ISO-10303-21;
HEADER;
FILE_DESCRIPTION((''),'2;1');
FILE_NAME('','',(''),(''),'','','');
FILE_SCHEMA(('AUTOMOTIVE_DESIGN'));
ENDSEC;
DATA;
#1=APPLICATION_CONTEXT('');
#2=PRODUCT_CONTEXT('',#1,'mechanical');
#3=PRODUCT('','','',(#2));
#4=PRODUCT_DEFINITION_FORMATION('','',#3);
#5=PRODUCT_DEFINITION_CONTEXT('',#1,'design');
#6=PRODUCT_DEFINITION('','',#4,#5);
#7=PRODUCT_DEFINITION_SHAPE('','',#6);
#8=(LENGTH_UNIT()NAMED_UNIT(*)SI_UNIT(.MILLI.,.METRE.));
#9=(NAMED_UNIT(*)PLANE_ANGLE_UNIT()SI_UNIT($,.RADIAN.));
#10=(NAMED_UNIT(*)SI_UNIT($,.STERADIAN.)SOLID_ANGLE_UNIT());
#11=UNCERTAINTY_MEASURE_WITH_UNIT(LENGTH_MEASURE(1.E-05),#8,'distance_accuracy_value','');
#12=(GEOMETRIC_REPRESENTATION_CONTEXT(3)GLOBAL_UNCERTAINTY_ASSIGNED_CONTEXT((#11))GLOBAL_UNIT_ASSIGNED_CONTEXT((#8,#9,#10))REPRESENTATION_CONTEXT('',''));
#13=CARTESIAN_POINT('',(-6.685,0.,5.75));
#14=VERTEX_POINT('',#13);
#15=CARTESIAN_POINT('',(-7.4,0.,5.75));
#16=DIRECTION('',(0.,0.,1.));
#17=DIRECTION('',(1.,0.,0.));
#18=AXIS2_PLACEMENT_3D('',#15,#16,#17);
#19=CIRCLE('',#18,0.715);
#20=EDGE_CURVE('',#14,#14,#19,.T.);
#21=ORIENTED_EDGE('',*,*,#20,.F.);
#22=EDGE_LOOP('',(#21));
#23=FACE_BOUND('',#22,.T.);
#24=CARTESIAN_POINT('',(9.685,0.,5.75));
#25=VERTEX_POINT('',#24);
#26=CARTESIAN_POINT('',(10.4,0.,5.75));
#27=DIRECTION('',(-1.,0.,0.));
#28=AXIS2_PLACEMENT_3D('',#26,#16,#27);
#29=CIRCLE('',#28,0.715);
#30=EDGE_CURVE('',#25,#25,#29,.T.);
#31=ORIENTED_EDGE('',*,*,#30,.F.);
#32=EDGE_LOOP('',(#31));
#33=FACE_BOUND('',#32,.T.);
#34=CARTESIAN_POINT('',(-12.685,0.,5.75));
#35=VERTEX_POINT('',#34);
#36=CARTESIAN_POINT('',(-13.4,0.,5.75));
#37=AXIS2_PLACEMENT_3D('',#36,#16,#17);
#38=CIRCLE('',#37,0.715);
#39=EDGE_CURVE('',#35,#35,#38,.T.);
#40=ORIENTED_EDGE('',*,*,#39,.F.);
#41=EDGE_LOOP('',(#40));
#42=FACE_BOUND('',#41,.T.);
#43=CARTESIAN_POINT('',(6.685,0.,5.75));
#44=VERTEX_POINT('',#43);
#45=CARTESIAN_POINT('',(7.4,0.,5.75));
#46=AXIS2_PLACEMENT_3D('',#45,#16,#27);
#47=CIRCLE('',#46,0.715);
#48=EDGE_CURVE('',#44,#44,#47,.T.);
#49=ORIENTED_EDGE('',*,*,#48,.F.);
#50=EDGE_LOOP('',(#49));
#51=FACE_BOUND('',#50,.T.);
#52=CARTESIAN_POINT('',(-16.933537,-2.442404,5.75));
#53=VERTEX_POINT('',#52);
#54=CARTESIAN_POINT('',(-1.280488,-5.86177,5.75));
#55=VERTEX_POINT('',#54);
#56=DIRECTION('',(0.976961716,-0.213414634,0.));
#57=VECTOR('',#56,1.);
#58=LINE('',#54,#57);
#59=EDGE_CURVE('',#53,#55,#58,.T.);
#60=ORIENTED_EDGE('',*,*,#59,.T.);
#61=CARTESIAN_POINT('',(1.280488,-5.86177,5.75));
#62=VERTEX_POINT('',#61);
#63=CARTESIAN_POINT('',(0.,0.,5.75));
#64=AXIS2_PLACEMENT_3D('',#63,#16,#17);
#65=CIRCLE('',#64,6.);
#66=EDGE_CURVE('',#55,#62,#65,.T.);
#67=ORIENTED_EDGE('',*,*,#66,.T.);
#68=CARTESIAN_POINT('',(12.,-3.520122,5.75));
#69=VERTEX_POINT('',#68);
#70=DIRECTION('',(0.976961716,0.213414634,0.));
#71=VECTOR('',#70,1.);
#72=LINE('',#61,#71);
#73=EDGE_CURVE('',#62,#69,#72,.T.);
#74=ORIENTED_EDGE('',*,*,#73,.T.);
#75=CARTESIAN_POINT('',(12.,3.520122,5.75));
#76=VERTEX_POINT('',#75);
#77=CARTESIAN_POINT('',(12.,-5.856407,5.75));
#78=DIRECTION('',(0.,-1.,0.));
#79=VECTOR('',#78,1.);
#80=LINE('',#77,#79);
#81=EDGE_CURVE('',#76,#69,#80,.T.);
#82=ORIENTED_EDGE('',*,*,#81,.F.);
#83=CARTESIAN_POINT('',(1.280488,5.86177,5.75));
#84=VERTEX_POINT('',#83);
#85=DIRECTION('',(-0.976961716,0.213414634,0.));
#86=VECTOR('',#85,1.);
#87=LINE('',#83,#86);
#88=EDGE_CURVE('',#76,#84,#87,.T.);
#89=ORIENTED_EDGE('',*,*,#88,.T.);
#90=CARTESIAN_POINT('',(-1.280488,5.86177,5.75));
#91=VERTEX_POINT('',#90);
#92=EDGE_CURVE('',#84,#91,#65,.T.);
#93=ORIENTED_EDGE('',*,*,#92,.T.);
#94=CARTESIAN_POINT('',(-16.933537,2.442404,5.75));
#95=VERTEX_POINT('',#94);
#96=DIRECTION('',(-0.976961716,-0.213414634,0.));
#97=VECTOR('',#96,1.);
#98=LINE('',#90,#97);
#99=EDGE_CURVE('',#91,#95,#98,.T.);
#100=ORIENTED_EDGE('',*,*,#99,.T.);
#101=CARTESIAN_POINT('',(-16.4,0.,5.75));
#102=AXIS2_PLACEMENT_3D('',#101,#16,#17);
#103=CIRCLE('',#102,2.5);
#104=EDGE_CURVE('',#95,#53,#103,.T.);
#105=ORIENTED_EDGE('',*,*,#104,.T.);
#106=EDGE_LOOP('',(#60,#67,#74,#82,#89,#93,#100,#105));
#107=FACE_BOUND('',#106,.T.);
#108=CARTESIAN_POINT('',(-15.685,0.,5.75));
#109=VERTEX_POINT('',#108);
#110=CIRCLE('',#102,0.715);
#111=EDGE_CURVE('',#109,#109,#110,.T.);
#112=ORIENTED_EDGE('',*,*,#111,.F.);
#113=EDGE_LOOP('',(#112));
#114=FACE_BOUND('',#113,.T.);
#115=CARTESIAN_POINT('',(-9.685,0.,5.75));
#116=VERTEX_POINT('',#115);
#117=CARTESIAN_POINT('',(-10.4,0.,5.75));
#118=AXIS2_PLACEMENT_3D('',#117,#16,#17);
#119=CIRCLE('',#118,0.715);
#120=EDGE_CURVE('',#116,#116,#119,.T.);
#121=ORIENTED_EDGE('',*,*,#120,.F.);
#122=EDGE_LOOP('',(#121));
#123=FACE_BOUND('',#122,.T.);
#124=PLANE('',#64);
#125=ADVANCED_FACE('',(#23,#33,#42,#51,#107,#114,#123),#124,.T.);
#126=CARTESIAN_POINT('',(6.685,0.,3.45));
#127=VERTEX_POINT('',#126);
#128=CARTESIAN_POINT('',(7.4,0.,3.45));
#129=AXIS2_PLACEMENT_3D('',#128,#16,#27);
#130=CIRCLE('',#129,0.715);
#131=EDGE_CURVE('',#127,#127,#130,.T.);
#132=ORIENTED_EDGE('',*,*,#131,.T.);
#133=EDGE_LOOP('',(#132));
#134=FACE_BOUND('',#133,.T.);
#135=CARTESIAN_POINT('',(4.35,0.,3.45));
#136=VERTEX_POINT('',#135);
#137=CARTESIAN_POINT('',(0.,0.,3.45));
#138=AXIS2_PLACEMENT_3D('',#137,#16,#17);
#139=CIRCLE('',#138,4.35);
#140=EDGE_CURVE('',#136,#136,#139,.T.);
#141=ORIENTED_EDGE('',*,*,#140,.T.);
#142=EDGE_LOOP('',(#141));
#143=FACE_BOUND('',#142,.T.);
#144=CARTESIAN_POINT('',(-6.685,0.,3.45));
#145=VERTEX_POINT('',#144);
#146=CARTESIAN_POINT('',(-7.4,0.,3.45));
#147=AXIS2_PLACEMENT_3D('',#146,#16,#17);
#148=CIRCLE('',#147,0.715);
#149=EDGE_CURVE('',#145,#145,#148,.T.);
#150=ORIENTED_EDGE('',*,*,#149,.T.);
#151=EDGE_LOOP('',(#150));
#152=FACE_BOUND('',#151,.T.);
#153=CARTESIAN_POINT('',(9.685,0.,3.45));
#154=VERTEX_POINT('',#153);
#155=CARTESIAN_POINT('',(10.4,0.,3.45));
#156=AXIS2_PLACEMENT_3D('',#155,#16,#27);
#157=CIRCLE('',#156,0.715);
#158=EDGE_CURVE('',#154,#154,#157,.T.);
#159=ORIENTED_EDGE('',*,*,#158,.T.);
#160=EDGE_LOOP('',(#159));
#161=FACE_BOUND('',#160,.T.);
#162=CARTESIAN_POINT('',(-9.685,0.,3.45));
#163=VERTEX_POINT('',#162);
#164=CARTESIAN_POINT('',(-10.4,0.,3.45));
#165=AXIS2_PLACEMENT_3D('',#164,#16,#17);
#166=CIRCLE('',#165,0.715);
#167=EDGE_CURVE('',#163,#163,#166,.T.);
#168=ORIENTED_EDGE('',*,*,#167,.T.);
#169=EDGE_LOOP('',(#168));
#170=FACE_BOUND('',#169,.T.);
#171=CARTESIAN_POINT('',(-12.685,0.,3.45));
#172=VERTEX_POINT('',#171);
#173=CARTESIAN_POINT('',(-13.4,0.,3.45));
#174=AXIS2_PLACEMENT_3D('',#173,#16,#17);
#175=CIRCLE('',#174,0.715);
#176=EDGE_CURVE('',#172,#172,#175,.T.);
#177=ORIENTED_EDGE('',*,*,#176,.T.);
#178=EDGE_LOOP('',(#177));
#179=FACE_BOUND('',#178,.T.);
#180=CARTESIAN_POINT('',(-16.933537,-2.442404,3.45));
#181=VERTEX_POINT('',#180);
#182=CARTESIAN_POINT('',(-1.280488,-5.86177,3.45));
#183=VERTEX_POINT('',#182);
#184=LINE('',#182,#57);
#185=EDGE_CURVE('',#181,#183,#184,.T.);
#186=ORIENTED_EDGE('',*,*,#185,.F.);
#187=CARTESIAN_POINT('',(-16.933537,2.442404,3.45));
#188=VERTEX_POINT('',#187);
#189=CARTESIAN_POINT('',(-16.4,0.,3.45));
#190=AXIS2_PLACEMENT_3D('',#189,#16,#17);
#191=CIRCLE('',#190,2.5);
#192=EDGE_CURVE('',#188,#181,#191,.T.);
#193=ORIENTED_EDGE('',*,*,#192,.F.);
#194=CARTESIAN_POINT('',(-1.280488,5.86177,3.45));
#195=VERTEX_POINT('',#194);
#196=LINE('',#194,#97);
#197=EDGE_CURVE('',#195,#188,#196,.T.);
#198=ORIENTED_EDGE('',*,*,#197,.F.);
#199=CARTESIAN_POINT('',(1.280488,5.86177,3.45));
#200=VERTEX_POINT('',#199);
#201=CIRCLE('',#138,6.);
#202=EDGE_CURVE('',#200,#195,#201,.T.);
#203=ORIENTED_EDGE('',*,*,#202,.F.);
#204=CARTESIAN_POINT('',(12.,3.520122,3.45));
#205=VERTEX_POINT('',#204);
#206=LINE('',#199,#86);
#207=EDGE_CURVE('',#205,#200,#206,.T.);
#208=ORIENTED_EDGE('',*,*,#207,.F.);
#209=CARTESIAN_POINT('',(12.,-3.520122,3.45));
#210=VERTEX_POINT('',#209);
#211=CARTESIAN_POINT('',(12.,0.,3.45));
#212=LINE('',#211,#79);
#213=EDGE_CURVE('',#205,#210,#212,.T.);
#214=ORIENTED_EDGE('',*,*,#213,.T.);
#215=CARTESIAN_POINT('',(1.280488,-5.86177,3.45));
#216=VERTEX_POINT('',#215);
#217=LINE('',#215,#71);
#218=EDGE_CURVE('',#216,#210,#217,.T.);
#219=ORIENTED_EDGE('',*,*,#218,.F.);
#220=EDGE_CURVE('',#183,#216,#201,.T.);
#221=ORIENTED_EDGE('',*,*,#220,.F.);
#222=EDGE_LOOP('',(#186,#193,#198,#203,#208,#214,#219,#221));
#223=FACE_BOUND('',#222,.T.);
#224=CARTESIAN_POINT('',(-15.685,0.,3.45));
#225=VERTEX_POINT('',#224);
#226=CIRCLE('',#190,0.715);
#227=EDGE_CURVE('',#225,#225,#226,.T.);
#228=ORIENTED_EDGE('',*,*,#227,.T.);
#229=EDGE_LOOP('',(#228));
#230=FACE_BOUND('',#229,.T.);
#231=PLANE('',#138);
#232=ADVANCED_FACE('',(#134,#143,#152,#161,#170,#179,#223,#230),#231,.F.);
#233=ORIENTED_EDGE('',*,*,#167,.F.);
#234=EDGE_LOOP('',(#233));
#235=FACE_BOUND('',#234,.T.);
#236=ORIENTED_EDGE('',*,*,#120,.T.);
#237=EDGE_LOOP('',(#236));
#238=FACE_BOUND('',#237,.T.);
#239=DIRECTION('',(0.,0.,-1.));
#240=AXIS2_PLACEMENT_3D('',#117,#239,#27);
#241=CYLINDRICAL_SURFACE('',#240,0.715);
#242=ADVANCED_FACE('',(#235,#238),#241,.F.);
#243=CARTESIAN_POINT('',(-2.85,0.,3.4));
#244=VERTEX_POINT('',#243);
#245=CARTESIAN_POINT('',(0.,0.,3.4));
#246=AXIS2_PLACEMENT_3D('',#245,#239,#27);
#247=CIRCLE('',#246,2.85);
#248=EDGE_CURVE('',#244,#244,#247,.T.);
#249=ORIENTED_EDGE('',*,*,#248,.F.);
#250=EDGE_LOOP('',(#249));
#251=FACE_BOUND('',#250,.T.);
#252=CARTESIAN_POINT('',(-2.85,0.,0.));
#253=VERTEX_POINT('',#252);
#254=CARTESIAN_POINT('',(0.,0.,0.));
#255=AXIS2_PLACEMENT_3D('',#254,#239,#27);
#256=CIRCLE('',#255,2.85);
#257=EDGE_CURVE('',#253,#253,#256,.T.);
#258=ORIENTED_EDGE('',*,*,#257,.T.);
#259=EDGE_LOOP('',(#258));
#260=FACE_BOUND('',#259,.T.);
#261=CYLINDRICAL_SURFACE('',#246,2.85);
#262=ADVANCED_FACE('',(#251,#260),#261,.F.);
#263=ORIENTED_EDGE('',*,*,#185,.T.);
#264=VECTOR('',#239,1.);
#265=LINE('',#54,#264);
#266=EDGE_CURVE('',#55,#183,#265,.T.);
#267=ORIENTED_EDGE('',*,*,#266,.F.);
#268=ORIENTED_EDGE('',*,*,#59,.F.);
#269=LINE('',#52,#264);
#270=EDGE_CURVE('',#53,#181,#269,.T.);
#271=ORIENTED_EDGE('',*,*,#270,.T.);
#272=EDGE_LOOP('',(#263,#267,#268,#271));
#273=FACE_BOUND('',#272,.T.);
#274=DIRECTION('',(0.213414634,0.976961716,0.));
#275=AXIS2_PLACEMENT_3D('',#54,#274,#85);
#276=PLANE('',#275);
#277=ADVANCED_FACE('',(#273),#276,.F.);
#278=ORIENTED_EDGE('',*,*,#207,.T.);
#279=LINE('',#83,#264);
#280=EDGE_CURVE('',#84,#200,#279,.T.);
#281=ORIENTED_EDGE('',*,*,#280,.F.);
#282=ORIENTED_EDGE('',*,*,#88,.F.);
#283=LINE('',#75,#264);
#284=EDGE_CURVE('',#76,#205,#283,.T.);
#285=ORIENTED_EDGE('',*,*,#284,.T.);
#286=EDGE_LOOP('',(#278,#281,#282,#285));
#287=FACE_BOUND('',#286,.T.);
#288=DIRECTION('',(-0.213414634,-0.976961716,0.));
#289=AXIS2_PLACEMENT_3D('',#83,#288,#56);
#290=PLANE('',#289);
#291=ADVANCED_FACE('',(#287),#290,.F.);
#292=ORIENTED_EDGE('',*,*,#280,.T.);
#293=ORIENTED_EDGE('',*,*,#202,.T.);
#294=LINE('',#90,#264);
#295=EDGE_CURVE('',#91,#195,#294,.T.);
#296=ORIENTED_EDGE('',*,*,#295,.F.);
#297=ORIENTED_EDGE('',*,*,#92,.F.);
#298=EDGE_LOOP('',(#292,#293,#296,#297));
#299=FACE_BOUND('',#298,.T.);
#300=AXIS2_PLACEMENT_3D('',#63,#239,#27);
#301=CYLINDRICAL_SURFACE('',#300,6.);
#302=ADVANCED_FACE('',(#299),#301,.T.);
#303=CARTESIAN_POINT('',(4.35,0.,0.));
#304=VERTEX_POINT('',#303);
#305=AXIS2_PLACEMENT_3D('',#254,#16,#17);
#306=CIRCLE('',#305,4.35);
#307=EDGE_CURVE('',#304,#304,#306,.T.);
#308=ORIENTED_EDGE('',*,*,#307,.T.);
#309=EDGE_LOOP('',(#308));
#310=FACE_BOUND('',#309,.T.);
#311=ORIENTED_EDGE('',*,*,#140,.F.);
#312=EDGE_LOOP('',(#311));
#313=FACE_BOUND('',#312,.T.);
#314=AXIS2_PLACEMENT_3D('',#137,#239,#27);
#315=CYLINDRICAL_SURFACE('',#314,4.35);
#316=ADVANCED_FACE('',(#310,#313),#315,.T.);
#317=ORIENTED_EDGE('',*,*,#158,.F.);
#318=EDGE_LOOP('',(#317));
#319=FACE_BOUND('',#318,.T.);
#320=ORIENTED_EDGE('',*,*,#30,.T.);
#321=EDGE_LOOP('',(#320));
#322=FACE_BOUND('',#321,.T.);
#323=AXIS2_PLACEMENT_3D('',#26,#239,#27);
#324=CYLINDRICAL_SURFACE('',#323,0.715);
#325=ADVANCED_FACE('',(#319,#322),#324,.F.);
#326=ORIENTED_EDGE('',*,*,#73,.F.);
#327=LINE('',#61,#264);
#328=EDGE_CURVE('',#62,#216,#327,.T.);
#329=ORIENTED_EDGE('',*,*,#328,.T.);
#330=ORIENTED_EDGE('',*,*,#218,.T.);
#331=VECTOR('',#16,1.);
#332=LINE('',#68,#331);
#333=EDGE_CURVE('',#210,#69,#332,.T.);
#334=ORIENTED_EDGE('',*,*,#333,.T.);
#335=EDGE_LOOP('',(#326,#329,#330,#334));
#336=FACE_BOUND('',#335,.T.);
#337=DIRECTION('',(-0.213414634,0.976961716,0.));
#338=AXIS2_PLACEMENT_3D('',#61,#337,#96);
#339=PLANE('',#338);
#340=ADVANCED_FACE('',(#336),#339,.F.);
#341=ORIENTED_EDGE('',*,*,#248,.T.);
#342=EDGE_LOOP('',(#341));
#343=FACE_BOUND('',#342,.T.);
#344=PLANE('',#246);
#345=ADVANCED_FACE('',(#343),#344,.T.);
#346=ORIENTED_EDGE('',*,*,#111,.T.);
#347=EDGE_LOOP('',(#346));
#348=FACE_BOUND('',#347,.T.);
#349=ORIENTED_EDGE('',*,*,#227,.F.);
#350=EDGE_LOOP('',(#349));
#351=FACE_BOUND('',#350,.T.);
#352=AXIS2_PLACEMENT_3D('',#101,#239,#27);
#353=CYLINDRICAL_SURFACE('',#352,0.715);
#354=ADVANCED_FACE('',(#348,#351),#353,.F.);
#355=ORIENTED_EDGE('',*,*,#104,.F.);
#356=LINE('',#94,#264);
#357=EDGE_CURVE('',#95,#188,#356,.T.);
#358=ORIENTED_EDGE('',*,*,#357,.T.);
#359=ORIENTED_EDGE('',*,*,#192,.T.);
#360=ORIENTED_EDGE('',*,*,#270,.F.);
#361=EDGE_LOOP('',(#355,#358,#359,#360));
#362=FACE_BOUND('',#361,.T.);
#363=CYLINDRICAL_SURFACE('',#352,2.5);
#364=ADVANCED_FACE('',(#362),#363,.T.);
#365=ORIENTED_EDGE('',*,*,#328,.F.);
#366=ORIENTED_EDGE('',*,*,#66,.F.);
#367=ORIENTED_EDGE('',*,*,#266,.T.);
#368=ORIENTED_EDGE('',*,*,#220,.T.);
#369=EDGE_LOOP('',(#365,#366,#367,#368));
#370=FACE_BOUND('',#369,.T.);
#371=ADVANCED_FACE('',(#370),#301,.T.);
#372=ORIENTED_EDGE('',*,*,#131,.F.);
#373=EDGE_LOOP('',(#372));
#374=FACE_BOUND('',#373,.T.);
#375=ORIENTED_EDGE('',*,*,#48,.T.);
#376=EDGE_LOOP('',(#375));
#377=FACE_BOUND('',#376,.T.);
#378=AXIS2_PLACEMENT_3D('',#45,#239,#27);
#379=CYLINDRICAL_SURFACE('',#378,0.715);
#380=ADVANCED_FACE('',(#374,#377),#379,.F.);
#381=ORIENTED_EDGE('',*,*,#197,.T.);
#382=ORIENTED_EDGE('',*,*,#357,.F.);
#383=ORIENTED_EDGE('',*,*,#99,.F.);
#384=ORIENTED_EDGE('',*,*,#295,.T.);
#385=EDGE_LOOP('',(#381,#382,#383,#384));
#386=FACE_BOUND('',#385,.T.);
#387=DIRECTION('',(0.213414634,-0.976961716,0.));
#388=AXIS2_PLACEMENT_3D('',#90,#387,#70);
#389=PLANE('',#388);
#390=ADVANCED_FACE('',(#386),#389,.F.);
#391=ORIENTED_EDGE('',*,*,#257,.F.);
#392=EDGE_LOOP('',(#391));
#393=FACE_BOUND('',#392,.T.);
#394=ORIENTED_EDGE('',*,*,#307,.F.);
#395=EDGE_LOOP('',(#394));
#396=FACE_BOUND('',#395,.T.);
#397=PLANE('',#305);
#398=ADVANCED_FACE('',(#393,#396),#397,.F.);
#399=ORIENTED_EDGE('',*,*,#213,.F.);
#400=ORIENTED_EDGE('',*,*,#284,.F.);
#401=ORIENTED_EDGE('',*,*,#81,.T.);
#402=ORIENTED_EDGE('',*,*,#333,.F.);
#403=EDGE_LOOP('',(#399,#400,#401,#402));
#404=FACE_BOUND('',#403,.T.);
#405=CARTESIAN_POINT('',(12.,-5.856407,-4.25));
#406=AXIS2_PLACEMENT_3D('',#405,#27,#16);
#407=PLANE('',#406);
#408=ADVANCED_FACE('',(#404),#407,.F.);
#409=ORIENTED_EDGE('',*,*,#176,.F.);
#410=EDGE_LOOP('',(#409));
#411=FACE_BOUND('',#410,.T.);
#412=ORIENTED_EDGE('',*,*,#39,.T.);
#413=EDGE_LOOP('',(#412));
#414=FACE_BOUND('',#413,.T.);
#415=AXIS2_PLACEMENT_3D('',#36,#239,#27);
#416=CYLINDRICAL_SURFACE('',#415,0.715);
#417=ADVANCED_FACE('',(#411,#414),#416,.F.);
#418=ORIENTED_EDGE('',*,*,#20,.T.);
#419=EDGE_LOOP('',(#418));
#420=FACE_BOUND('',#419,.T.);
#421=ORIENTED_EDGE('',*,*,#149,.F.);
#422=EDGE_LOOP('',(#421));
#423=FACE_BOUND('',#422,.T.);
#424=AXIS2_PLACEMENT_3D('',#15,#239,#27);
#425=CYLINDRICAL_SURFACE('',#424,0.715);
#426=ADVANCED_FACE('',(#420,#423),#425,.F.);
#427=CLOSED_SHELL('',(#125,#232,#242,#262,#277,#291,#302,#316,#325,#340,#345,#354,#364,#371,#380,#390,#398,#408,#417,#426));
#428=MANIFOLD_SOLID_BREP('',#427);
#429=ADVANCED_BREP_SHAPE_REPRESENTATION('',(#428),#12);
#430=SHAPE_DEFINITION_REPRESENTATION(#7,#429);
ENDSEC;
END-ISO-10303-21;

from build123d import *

# Parameters (mm, degrees)
SKETCH_1_R          = 4.35
EXTRUDE_1_DEPTH     = 3.45
SKETCH_2_R          = 0.715
EXTRUDE_2_DEPTH     = 2.3
SKETCH_3_R          = 2.85
CUT_EXTRUDE_1_DEPTH = 3.4
SKETCH_4_W          = 12.90394782
SKETCH_4_H          = 10.561384984
CUT_EXTRUDE_2_DEPTH = 10


with BuildPart() as part:
    # 草图1 → 凸台-拉伸1 (new body)
    with BuildSketch(Plane.XY):
        Circle(SKETCH_1_R)
    extrude(amount=EXTRUDE_1_DEPTH)

    # 草图2 → 凸台-拉伸2 (add)
    with BuildSketch(Plane.XY.offset(3.45)):
        with BuildLine():
            Line((-1.280487805, 5.861770294), (-16.933536585, 2.442404289))
            ThreePointArc((-16.933536585, 2.442404289), (-18.9, 0), (-16.933536585, -2.442404289))
            Line((-16.933536585, -2.442404289), (-1.280487805, -5.861770294))
            ThreePointArc((-1.280487805, -5.861770294), (0, -6), (1.280487805, -5.861770294))
            Line((1.280487805, -5.861770294), (16.933536585, -2.442404289))
            ThreePointArc((16.933536585, -2.442404289), (18.9, 0), (16.933536585, 2.442404289))
            Line((16.933536585, 2.442404289), (1.280487805, 5.861770294))
            ThreePointArc((1.280487805, 5.861770294), (0, 6), (-1.280487805, 5.861770294))
        make_face()
        with Locations((-16.4, 0)):
            Circle(SKETCH_2_R, mode=Mode.SUBTRACT)
        with Locations((-13.4, 0)):
            Circle(SKETCH_2_R, mode=Mode.SUBTRACT)
        with Locations((-10.4, 0)):
            Circle(SKETCH_2_R, mode=Mode.SUBTRACT)
        with Locations((-7.4, 0)):
            Circle(SKETCH_2_R, mode=Mode.SUBTRACT)
        with Locations((7.4, 0)):
            Circle(SKETCH_2_R, mode=Mode.SUBTRACT)
        with Locations((10.4, 0)):
            Circle(SKETCH_2_R, mode=Mode.SUBTRACT)
        with Locations((13.4, 0)):
            Circle(SKETCH_2_R, mode=Mode.SUBTRACT)
        with Locations((16.4, 0)):
            Circle(SKETCH_2_R, mode=Mode.SUBTRACT)
    extrude(amount=EXTRUDE_2_DEPTH)

    # 草图3 → 切除-拉伸1 (cut)
    with BuildSketch(Plane(origin=(0, 0, 0), x_dir=(-1, 0, 0), z_dir=(0, 0, -1))):
        Circle(SKETCH_3_R)
    extrude(amount=-CUT_EXTRUDE_1_DEPTH, mode=Mode.SUBTRACT)

    # 草图4 → 切除-拉伸2 (cut)
    with BuildSketch(Plane.XY.offset(5.75)):
        with Locations((18.45197391, -0.575714595)):
            Rectangle(SKETCH_4_W, SKETCH_4_H)
    extrude(amount=-CUT_EXTRUDE_2_DEPTH, mode=Mode.SUBTRACT)


solid = part.part
